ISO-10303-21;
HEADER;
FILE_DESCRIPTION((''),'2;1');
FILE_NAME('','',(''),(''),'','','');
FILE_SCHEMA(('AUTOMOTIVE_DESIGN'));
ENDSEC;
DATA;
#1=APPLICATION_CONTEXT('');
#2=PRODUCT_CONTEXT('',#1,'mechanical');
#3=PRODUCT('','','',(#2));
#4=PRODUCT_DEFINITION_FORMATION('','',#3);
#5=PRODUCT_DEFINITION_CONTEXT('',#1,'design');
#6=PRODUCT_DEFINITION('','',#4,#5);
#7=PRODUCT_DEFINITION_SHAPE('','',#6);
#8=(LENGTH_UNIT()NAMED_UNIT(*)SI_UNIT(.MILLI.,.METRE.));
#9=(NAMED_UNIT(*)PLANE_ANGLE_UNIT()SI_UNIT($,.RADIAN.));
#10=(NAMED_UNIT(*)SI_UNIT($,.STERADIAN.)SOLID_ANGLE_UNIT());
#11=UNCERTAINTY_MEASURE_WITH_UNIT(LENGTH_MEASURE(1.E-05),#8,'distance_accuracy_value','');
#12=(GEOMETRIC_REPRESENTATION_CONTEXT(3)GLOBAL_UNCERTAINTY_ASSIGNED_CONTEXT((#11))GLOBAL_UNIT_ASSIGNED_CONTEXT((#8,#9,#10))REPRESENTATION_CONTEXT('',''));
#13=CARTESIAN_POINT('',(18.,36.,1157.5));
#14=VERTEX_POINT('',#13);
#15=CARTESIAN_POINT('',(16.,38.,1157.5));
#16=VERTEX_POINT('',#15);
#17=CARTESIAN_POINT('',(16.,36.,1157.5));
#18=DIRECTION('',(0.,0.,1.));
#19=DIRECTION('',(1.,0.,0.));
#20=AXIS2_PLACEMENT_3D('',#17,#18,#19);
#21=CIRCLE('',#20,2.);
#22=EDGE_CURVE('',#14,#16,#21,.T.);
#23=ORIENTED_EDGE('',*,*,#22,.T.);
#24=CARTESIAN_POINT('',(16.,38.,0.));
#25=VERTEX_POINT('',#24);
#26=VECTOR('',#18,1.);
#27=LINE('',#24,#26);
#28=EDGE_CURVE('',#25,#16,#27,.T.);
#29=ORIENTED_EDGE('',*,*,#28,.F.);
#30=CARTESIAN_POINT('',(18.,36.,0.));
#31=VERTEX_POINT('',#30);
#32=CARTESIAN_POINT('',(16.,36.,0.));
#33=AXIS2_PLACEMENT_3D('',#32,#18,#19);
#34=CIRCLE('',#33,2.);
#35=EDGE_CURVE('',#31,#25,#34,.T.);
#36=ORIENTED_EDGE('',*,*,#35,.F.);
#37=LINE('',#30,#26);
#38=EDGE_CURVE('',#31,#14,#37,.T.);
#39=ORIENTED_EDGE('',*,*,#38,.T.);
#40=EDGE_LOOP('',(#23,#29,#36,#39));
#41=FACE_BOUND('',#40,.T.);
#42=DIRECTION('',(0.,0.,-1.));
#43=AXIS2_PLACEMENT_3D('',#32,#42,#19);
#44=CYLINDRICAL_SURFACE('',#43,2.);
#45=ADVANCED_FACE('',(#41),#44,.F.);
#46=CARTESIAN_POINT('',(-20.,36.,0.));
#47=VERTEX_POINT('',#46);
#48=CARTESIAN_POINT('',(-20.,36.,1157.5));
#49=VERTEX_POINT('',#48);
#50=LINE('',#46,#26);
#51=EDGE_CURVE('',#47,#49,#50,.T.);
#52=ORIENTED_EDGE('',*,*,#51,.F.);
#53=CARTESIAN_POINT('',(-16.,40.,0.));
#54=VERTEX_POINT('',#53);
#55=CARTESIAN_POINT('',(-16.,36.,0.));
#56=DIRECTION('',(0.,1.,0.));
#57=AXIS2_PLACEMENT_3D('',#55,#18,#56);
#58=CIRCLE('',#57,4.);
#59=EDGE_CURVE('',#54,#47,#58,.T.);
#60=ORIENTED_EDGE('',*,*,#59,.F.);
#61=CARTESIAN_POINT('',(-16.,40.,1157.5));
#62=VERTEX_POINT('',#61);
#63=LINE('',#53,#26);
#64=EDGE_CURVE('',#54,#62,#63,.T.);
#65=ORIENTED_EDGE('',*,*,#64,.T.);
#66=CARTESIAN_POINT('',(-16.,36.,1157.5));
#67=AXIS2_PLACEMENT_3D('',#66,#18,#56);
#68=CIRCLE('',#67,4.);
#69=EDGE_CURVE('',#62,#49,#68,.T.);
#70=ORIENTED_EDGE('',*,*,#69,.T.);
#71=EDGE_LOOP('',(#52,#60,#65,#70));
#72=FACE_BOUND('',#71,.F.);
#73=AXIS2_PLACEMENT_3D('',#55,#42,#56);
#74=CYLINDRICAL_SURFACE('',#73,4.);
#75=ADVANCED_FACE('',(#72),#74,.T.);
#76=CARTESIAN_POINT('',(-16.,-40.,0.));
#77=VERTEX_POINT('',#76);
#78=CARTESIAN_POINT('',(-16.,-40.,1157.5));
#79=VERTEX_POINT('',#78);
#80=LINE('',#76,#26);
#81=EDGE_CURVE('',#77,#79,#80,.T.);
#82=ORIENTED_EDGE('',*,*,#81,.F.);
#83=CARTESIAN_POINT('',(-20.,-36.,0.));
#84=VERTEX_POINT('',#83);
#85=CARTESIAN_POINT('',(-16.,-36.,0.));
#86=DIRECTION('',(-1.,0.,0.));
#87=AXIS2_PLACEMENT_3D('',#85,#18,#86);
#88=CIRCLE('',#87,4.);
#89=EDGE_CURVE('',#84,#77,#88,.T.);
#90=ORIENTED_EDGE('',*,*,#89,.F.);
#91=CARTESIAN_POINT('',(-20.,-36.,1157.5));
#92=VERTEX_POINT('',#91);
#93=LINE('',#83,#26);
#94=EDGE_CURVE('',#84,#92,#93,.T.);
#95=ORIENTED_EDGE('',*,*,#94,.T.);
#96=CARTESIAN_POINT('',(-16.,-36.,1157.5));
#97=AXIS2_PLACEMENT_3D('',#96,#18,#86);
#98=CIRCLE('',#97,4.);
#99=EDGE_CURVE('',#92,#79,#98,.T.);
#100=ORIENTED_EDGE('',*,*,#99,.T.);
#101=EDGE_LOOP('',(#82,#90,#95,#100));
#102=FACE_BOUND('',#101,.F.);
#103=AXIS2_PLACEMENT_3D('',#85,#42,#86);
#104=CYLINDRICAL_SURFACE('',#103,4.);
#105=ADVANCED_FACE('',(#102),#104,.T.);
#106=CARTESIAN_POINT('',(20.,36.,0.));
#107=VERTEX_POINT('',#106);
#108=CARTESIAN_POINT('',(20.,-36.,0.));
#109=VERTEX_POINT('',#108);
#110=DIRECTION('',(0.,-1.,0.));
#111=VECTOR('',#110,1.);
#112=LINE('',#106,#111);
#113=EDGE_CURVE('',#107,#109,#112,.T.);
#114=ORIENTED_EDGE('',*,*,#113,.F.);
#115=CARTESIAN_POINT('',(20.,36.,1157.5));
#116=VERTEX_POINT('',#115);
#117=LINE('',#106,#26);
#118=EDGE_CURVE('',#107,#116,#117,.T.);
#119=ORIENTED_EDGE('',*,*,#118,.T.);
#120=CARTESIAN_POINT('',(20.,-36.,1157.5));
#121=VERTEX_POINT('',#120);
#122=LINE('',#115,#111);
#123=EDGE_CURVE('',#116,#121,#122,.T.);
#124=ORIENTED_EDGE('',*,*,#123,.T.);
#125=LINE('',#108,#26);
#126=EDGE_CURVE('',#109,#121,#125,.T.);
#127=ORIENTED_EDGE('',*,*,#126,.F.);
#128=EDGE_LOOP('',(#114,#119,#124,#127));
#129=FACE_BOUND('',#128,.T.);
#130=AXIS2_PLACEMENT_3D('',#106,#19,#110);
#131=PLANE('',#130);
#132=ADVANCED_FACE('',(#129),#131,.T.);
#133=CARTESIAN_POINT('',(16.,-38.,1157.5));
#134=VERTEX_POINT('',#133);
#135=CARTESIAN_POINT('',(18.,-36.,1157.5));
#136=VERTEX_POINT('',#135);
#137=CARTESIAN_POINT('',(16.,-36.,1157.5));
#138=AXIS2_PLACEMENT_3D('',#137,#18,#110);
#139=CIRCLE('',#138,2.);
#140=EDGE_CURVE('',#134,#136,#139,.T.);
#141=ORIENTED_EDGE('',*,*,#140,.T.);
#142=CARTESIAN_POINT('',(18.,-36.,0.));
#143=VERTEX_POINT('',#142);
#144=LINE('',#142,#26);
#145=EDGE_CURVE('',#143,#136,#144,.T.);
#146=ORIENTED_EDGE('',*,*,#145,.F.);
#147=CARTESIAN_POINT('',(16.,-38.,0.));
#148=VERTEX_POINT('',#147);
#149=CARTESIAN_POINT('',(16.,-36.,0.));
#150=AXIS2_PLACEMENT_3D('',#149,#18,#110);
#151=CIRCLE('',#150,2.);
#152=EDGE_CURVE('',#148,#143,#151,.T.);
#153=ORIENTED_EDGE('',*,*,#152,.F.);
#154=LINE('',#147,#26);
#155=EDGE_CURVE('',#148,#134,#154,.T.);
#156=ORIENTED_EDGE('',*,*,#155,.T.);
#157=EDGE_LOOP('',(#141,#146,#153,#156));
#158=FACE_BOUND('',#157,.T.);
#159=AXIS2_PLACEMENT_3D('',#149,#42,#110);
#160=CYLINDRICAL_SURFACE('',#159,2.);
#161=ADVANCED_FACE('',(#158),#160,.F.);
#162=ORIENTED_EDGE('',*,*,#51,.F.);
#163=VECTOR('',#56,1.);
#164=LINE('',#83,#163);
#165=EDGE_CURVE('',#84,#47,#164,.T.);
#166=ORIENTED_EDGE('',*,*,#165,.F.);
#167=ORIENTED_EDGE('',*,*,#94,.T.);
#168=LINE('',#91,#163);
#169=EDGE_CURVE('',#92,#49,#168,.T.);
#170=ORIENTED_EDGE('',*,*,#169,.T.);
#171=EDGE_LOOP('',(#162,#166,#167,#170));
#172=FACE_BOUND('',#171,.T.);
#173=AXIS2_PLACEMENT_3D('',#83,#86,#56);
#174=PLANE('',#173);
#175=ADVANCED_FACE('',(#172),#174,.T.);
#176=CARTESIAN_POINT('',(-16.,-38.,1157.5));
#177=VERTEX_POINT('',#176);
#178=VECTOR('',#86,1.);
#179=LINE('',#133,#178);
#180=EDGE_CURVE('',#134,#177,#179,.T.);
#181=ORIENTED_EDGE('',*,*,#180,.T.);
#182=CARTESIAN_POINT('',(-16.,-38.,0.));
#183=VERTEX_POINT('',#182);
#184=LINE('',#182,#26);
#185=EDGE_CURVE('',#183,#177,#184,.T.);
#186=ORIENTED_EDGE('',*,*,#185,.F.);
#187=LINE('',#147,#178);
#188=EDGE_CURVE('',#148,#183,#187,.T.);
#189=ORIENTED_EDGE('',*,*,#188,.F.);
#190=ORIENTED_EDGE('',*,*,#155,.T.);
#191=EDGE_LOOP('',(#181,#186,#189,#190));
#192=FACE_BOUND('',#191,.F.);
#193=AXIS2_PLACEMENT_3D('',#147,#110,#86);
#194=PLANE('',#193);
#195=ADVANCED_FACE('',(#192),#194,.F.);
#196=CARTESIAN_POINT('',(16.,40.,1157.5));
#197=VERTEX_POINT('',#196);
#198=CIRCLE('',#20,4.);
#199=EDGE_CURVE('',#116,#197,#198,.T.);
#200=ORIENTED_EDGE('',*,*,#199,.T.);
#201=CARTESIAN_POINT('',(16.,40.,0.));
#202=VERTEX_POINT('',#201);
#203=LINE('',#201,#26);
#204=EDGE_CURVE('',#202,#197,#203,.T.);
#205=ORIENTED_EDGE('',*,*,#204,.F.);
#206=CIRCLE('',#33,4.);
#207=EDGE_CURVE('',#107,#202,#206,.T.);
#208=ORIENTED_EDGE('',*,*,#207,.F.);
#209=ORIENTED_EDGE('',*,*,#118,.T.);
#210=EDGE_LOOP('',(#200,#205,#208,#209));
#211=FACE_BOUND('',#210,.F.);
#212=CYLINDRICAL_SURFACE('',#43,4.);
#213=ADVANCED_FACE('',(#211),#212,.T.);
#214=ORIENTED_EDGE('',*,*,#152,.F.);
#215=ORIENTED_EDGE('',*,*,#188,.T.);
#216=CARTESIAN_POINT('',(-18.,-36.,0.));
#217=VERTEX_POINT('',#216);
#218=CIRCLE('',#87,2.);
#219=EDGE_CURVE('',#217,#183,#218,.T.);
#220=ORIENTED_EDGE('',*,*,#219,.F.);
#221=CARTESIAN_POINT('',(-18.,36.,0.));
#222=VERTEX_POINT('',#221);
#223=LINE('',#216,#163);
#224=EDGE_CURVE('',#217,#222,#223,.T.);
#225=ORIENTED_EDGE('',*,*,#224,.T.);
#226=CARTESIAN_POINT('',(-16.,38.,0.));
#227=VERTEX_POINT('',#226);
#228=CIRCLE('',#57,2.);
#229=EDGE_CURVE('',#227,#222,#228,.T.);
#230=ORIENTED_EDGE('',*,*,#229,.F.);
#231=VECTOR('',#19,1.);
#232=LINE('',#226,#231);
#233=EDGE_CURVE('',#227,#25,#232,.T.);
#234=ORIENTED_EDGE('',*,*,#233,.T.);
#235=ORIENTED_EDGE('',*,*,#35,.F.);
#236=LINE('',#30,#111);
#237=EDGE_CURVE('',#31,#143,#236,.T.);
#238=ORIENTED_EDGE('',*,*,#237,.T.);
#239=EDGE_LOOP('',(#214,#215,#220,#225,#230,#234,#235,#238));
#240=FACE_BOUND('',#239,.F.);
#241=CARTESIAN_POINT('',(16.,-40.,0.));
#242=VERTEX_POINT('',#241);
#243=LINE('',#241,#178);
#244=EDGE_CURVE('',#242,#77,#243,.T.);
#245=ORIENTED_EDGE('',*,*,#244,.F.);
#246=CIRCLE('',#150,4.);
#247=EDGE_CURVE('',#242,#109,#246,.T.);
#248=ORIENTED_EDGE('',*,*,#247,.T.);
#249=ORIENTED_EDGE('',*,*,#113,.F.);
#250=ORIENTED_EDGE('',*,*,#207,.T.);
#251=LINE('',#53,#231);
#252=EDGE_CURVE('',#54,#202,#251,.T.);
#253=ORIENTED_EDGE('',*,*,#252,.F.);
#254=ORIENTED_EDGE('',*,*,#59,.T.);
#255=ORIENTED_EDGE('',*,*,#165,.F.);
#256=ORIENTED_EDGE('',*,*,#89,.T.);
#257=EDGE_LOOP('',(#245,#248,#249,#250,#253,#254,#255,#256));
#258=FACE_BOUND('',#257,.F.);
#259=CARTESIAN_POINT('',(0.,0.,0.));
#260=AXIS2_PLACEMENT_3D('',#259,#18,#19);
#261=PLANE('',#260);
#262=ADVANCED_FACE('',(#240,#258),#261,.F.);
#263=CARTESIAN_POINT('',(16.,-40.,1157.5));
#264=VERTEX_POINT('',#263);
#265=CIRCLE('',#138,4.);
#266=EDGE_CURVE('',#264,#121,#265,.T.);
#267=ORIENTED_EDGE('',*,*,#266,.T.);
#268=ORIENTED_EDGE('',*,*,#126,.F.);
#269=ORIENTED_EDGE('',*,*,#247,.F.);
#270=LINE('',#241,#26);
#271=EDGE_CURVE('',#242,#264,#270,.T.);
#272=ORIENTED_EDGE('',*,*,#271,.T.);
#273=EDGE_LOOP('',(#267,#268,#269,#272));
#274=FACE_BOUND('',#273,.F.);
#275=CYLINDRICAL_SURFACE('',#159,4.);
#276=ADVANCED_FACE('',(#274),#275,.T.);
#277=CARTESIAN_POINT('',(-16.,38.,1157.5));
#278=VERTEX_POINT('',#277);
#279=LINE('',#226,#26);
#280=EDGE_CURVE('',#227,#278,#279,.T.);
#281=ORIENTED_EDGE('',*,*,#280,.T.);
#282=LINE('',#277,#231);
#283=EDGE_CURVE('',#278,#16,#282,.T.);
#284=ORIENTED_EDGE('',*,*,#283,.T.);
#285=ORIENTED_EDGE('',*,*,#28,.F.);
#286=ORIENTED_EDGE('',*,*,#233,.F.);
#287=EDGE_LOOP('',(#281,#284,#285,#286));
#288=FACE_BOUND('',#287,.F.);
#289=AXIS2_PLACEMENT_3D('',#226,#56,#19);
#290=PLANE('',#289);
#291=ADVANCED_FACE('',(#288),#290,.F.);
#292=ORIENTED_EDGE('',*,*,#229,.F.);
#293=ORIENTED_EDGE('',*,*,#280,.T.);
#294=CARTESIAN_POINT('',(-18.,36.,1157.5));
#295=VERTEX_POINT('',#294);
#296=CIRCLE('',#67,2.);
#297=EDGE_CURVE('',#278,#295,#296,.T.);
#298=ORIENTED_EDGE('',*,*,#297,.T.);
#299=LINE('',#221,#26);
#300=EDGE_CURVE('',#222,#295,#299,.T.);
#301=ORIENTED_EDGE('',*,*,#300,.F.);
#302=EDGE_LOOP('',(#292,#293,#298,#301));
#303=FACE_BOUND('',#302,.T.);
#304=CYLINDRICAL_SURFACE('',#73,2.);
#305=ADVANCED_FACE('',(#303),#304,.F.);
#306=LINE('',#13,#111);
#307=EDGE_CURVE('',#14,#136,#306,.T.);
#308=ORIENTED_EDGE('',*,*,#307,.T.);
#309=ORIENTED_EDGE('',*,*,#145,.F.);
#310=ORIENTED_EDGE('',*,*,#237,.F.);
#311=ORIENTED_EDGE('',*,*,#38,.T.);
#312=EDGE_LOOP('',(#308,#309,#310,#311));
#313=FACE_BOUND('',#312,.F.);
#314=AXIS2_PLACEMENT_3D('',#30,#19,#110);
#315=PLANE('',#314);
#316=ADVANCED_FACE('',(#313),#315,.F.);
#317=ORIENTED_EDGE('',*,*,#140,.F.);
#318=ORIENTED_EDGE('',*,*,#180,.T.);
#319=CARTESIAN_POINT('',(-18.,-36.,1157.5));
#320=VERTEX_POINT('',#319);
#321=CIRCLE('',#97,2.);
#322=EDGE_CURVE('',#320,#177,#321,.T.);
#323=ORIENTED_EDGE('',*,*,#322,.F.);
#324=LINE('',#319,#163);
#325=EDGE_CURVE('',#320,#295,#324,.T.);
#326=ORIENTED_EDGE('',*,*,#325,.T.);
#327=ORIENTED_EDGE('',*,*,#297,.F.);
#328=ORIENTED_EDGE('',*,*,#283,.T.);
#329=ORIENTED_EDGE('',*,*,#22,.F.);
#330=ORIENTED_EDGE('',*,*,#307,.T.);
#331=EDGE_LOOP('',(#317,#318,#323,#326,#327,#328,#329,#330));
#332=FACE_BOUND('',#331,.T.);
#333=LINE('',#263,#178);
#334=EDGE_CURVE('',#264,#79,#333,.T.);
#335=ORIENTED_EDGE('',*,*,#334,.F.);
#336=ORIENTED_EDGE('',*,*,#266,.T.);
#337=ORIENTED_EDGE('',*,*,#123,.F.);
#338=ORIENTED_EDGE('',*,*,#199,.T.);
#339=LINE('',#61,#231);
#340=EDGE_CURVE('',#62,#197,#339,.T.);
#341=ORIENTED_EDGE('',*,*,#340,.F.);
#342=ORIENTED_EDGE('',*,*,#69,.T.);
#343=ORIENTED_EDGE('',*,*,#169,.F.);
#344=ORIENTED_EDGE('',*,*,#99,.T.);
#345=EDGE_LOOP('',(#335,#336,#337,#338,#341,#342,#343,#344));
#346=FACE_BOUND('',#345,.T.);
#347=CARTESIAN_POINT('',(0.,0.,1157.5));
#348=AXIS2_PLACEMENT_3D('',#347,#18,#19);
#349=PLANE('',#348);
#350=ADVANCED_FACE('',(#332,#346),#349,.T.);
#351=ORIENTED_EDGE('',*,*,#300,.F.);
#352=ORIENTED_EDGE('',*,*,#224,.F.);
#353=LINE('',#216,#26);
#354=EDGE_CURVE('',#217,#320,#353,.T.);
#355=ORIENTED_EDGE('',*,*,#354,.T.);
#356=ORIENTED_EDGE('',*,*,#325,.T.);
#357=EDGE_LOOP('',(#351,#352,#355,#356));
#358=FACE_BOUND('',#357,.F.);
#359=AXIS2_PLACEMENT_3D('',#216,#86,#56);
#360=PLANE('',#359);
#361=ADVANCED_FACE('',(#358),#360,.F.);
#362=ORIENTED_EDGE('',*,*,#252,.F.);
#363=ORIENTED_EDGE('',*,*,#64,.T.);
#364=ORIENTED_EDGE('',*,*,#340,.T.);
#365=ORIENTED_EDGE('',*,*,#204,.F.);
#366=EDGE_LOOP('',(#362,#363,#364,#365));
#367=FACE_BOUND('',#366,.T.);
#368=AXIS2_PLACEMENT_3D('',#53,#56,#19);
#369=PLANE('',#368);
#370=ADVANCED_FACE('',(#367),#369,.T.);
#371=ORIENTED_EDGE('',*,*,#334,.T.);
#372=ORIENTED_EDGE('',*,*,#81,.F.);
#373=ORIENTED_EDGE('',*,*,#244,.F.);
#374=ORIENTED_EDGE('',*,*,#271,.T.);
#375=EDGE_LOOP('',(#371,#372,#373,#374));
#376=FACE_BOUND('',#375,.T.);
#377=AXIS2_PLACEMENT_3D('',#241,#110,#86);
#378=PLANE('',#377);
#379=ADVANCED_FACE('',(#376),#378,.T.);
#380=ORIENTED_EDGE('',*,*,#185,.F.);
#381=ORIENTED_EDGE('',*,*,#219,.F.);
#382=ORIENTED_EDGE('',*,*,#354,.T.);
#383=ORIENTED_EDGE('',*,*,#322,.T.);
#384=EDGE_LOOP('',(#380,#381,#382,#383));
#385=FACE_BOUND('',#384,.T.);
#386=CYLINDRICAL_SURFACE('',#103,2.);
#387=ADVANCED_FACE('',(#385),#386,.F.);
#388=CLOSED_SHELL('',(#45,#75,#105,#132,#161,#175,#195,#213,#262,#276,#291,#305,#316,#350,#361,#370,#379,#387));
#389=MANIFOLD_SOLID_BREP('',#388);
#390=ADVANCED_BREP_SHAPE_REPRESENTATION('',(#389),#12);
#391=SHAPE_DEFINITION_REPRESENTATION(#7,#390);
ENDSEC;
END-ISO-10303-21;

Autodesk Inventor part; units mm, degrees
ref_plane "YZ Plane" through (0, 0, 0) normal (1, 0, 0) x (0, 1, 0)
ref_plane "Start Plane" through (0, 0, 0) normal (0, 0, 1) x (1, 0, 0)
ref_plane "End Plane" through (0, 0, 1157.5) normal (0, 0, 1) x (1, 0, 0)
sketch "Sketch" plane through (0, 0, 0) normal (0, 0, 1) x (1, 0, 0)
  line L0 (-20, -36) -> (-20, 36)
  line L1 (-16, 40) -> (16, 40)
  line L2 (20, 36) -> (20, -36)
  line L3 (16, -40) -> (-16, -40)
  arc A0 (-20, -36) -> (-16, -40) centre (-16, -36) ccw
  arc A1 (20, 36) -> (16, 40) centre (16, 36) ccw
  arc A2 (-16, 40) -> (-20, 36) centre (-16, 36) ccw
  arc A3 (16, -40) -> (20, -36) centre (16, -36) ccw
  arc A4 (-16, 38) -> (-18, 36) centre (-16, 36) ccw
  line L4 (-16, 38) -> (16, 38)
  arc A5 (18, 36) -> (16, 38) centre (16, 36) ccw
  line L5 (18, 36) -> (18, -36)
  arc A6 (16, -38) -> (18, -36) centre (16, -36) ccw
  line L6 (16, -38) -> (-16, -38)
  arc A7 (-18, -36) -> (-16, -38) centre (-16, -36) ccw
  line L7 (-18, -36) -> (-18, 36)
  line L8 (0, 57.1598) -> (0, -57.1598) construction
  line L9 (-29.1598, 0) -> (29.1598, 0) construction
  dimension "d7" = 4
  dimension "d9" = 40
  dimension "d11" = 80
  dimension "d12" = 2
  dimension "d15" = 20
  dimension "d16" = 40
extrude "Body" add sketch "Sketch" along normal up to surface (1157.5 mm away) from surface at 0
sketch "Sketch3" plane through (0, 0, 0) normal (0, 0, 1) x (1, 0, 0)
  line L0 (0, 0) -> (10, 0)
ref_plane "Work Plane3" through (0, 0, 0) normal (0, -1, 0) x (1, 0, 0)
sketch "Sketch4" plane through (0, 0, 0) normal (0, -1, 0) x (1, 0, 0)
  line L0 (-2, 0) -> (12, 0) projected
  line L1 (-2, 1157.5) -> (12, 1157.5) projected
  dimension "d18" = 1157.5
equation "\"d7\" = G_IR"
equation "\"d9\" = G_W"
equation "\"d11\" = G_H"
equation "\"d12\" = G_T"
equation "\"d15\" = 0.5 * d9"
equation "\"d16\" = 0.5 * d11"
equation "\"d3\" = G_L"
equation "\"G_W\" = 40"
equation "\"G_H\" = 80"
equation "\"G_T\" = 2"
equation "\"G_IR\" = 4"
equation "\"G_L\" = d18"
equation "\"G_OFFSET_START\" = 0"
equation "\"G_OFFSET_END\" = 0"
equation "\"d14\" = G_OFFSET_END + B_L"
equation "\"B_L\" = 1157.5"
properties part number "ISO 4019 - 80x40x2 - 1157,5" material "Steel, Mild"
